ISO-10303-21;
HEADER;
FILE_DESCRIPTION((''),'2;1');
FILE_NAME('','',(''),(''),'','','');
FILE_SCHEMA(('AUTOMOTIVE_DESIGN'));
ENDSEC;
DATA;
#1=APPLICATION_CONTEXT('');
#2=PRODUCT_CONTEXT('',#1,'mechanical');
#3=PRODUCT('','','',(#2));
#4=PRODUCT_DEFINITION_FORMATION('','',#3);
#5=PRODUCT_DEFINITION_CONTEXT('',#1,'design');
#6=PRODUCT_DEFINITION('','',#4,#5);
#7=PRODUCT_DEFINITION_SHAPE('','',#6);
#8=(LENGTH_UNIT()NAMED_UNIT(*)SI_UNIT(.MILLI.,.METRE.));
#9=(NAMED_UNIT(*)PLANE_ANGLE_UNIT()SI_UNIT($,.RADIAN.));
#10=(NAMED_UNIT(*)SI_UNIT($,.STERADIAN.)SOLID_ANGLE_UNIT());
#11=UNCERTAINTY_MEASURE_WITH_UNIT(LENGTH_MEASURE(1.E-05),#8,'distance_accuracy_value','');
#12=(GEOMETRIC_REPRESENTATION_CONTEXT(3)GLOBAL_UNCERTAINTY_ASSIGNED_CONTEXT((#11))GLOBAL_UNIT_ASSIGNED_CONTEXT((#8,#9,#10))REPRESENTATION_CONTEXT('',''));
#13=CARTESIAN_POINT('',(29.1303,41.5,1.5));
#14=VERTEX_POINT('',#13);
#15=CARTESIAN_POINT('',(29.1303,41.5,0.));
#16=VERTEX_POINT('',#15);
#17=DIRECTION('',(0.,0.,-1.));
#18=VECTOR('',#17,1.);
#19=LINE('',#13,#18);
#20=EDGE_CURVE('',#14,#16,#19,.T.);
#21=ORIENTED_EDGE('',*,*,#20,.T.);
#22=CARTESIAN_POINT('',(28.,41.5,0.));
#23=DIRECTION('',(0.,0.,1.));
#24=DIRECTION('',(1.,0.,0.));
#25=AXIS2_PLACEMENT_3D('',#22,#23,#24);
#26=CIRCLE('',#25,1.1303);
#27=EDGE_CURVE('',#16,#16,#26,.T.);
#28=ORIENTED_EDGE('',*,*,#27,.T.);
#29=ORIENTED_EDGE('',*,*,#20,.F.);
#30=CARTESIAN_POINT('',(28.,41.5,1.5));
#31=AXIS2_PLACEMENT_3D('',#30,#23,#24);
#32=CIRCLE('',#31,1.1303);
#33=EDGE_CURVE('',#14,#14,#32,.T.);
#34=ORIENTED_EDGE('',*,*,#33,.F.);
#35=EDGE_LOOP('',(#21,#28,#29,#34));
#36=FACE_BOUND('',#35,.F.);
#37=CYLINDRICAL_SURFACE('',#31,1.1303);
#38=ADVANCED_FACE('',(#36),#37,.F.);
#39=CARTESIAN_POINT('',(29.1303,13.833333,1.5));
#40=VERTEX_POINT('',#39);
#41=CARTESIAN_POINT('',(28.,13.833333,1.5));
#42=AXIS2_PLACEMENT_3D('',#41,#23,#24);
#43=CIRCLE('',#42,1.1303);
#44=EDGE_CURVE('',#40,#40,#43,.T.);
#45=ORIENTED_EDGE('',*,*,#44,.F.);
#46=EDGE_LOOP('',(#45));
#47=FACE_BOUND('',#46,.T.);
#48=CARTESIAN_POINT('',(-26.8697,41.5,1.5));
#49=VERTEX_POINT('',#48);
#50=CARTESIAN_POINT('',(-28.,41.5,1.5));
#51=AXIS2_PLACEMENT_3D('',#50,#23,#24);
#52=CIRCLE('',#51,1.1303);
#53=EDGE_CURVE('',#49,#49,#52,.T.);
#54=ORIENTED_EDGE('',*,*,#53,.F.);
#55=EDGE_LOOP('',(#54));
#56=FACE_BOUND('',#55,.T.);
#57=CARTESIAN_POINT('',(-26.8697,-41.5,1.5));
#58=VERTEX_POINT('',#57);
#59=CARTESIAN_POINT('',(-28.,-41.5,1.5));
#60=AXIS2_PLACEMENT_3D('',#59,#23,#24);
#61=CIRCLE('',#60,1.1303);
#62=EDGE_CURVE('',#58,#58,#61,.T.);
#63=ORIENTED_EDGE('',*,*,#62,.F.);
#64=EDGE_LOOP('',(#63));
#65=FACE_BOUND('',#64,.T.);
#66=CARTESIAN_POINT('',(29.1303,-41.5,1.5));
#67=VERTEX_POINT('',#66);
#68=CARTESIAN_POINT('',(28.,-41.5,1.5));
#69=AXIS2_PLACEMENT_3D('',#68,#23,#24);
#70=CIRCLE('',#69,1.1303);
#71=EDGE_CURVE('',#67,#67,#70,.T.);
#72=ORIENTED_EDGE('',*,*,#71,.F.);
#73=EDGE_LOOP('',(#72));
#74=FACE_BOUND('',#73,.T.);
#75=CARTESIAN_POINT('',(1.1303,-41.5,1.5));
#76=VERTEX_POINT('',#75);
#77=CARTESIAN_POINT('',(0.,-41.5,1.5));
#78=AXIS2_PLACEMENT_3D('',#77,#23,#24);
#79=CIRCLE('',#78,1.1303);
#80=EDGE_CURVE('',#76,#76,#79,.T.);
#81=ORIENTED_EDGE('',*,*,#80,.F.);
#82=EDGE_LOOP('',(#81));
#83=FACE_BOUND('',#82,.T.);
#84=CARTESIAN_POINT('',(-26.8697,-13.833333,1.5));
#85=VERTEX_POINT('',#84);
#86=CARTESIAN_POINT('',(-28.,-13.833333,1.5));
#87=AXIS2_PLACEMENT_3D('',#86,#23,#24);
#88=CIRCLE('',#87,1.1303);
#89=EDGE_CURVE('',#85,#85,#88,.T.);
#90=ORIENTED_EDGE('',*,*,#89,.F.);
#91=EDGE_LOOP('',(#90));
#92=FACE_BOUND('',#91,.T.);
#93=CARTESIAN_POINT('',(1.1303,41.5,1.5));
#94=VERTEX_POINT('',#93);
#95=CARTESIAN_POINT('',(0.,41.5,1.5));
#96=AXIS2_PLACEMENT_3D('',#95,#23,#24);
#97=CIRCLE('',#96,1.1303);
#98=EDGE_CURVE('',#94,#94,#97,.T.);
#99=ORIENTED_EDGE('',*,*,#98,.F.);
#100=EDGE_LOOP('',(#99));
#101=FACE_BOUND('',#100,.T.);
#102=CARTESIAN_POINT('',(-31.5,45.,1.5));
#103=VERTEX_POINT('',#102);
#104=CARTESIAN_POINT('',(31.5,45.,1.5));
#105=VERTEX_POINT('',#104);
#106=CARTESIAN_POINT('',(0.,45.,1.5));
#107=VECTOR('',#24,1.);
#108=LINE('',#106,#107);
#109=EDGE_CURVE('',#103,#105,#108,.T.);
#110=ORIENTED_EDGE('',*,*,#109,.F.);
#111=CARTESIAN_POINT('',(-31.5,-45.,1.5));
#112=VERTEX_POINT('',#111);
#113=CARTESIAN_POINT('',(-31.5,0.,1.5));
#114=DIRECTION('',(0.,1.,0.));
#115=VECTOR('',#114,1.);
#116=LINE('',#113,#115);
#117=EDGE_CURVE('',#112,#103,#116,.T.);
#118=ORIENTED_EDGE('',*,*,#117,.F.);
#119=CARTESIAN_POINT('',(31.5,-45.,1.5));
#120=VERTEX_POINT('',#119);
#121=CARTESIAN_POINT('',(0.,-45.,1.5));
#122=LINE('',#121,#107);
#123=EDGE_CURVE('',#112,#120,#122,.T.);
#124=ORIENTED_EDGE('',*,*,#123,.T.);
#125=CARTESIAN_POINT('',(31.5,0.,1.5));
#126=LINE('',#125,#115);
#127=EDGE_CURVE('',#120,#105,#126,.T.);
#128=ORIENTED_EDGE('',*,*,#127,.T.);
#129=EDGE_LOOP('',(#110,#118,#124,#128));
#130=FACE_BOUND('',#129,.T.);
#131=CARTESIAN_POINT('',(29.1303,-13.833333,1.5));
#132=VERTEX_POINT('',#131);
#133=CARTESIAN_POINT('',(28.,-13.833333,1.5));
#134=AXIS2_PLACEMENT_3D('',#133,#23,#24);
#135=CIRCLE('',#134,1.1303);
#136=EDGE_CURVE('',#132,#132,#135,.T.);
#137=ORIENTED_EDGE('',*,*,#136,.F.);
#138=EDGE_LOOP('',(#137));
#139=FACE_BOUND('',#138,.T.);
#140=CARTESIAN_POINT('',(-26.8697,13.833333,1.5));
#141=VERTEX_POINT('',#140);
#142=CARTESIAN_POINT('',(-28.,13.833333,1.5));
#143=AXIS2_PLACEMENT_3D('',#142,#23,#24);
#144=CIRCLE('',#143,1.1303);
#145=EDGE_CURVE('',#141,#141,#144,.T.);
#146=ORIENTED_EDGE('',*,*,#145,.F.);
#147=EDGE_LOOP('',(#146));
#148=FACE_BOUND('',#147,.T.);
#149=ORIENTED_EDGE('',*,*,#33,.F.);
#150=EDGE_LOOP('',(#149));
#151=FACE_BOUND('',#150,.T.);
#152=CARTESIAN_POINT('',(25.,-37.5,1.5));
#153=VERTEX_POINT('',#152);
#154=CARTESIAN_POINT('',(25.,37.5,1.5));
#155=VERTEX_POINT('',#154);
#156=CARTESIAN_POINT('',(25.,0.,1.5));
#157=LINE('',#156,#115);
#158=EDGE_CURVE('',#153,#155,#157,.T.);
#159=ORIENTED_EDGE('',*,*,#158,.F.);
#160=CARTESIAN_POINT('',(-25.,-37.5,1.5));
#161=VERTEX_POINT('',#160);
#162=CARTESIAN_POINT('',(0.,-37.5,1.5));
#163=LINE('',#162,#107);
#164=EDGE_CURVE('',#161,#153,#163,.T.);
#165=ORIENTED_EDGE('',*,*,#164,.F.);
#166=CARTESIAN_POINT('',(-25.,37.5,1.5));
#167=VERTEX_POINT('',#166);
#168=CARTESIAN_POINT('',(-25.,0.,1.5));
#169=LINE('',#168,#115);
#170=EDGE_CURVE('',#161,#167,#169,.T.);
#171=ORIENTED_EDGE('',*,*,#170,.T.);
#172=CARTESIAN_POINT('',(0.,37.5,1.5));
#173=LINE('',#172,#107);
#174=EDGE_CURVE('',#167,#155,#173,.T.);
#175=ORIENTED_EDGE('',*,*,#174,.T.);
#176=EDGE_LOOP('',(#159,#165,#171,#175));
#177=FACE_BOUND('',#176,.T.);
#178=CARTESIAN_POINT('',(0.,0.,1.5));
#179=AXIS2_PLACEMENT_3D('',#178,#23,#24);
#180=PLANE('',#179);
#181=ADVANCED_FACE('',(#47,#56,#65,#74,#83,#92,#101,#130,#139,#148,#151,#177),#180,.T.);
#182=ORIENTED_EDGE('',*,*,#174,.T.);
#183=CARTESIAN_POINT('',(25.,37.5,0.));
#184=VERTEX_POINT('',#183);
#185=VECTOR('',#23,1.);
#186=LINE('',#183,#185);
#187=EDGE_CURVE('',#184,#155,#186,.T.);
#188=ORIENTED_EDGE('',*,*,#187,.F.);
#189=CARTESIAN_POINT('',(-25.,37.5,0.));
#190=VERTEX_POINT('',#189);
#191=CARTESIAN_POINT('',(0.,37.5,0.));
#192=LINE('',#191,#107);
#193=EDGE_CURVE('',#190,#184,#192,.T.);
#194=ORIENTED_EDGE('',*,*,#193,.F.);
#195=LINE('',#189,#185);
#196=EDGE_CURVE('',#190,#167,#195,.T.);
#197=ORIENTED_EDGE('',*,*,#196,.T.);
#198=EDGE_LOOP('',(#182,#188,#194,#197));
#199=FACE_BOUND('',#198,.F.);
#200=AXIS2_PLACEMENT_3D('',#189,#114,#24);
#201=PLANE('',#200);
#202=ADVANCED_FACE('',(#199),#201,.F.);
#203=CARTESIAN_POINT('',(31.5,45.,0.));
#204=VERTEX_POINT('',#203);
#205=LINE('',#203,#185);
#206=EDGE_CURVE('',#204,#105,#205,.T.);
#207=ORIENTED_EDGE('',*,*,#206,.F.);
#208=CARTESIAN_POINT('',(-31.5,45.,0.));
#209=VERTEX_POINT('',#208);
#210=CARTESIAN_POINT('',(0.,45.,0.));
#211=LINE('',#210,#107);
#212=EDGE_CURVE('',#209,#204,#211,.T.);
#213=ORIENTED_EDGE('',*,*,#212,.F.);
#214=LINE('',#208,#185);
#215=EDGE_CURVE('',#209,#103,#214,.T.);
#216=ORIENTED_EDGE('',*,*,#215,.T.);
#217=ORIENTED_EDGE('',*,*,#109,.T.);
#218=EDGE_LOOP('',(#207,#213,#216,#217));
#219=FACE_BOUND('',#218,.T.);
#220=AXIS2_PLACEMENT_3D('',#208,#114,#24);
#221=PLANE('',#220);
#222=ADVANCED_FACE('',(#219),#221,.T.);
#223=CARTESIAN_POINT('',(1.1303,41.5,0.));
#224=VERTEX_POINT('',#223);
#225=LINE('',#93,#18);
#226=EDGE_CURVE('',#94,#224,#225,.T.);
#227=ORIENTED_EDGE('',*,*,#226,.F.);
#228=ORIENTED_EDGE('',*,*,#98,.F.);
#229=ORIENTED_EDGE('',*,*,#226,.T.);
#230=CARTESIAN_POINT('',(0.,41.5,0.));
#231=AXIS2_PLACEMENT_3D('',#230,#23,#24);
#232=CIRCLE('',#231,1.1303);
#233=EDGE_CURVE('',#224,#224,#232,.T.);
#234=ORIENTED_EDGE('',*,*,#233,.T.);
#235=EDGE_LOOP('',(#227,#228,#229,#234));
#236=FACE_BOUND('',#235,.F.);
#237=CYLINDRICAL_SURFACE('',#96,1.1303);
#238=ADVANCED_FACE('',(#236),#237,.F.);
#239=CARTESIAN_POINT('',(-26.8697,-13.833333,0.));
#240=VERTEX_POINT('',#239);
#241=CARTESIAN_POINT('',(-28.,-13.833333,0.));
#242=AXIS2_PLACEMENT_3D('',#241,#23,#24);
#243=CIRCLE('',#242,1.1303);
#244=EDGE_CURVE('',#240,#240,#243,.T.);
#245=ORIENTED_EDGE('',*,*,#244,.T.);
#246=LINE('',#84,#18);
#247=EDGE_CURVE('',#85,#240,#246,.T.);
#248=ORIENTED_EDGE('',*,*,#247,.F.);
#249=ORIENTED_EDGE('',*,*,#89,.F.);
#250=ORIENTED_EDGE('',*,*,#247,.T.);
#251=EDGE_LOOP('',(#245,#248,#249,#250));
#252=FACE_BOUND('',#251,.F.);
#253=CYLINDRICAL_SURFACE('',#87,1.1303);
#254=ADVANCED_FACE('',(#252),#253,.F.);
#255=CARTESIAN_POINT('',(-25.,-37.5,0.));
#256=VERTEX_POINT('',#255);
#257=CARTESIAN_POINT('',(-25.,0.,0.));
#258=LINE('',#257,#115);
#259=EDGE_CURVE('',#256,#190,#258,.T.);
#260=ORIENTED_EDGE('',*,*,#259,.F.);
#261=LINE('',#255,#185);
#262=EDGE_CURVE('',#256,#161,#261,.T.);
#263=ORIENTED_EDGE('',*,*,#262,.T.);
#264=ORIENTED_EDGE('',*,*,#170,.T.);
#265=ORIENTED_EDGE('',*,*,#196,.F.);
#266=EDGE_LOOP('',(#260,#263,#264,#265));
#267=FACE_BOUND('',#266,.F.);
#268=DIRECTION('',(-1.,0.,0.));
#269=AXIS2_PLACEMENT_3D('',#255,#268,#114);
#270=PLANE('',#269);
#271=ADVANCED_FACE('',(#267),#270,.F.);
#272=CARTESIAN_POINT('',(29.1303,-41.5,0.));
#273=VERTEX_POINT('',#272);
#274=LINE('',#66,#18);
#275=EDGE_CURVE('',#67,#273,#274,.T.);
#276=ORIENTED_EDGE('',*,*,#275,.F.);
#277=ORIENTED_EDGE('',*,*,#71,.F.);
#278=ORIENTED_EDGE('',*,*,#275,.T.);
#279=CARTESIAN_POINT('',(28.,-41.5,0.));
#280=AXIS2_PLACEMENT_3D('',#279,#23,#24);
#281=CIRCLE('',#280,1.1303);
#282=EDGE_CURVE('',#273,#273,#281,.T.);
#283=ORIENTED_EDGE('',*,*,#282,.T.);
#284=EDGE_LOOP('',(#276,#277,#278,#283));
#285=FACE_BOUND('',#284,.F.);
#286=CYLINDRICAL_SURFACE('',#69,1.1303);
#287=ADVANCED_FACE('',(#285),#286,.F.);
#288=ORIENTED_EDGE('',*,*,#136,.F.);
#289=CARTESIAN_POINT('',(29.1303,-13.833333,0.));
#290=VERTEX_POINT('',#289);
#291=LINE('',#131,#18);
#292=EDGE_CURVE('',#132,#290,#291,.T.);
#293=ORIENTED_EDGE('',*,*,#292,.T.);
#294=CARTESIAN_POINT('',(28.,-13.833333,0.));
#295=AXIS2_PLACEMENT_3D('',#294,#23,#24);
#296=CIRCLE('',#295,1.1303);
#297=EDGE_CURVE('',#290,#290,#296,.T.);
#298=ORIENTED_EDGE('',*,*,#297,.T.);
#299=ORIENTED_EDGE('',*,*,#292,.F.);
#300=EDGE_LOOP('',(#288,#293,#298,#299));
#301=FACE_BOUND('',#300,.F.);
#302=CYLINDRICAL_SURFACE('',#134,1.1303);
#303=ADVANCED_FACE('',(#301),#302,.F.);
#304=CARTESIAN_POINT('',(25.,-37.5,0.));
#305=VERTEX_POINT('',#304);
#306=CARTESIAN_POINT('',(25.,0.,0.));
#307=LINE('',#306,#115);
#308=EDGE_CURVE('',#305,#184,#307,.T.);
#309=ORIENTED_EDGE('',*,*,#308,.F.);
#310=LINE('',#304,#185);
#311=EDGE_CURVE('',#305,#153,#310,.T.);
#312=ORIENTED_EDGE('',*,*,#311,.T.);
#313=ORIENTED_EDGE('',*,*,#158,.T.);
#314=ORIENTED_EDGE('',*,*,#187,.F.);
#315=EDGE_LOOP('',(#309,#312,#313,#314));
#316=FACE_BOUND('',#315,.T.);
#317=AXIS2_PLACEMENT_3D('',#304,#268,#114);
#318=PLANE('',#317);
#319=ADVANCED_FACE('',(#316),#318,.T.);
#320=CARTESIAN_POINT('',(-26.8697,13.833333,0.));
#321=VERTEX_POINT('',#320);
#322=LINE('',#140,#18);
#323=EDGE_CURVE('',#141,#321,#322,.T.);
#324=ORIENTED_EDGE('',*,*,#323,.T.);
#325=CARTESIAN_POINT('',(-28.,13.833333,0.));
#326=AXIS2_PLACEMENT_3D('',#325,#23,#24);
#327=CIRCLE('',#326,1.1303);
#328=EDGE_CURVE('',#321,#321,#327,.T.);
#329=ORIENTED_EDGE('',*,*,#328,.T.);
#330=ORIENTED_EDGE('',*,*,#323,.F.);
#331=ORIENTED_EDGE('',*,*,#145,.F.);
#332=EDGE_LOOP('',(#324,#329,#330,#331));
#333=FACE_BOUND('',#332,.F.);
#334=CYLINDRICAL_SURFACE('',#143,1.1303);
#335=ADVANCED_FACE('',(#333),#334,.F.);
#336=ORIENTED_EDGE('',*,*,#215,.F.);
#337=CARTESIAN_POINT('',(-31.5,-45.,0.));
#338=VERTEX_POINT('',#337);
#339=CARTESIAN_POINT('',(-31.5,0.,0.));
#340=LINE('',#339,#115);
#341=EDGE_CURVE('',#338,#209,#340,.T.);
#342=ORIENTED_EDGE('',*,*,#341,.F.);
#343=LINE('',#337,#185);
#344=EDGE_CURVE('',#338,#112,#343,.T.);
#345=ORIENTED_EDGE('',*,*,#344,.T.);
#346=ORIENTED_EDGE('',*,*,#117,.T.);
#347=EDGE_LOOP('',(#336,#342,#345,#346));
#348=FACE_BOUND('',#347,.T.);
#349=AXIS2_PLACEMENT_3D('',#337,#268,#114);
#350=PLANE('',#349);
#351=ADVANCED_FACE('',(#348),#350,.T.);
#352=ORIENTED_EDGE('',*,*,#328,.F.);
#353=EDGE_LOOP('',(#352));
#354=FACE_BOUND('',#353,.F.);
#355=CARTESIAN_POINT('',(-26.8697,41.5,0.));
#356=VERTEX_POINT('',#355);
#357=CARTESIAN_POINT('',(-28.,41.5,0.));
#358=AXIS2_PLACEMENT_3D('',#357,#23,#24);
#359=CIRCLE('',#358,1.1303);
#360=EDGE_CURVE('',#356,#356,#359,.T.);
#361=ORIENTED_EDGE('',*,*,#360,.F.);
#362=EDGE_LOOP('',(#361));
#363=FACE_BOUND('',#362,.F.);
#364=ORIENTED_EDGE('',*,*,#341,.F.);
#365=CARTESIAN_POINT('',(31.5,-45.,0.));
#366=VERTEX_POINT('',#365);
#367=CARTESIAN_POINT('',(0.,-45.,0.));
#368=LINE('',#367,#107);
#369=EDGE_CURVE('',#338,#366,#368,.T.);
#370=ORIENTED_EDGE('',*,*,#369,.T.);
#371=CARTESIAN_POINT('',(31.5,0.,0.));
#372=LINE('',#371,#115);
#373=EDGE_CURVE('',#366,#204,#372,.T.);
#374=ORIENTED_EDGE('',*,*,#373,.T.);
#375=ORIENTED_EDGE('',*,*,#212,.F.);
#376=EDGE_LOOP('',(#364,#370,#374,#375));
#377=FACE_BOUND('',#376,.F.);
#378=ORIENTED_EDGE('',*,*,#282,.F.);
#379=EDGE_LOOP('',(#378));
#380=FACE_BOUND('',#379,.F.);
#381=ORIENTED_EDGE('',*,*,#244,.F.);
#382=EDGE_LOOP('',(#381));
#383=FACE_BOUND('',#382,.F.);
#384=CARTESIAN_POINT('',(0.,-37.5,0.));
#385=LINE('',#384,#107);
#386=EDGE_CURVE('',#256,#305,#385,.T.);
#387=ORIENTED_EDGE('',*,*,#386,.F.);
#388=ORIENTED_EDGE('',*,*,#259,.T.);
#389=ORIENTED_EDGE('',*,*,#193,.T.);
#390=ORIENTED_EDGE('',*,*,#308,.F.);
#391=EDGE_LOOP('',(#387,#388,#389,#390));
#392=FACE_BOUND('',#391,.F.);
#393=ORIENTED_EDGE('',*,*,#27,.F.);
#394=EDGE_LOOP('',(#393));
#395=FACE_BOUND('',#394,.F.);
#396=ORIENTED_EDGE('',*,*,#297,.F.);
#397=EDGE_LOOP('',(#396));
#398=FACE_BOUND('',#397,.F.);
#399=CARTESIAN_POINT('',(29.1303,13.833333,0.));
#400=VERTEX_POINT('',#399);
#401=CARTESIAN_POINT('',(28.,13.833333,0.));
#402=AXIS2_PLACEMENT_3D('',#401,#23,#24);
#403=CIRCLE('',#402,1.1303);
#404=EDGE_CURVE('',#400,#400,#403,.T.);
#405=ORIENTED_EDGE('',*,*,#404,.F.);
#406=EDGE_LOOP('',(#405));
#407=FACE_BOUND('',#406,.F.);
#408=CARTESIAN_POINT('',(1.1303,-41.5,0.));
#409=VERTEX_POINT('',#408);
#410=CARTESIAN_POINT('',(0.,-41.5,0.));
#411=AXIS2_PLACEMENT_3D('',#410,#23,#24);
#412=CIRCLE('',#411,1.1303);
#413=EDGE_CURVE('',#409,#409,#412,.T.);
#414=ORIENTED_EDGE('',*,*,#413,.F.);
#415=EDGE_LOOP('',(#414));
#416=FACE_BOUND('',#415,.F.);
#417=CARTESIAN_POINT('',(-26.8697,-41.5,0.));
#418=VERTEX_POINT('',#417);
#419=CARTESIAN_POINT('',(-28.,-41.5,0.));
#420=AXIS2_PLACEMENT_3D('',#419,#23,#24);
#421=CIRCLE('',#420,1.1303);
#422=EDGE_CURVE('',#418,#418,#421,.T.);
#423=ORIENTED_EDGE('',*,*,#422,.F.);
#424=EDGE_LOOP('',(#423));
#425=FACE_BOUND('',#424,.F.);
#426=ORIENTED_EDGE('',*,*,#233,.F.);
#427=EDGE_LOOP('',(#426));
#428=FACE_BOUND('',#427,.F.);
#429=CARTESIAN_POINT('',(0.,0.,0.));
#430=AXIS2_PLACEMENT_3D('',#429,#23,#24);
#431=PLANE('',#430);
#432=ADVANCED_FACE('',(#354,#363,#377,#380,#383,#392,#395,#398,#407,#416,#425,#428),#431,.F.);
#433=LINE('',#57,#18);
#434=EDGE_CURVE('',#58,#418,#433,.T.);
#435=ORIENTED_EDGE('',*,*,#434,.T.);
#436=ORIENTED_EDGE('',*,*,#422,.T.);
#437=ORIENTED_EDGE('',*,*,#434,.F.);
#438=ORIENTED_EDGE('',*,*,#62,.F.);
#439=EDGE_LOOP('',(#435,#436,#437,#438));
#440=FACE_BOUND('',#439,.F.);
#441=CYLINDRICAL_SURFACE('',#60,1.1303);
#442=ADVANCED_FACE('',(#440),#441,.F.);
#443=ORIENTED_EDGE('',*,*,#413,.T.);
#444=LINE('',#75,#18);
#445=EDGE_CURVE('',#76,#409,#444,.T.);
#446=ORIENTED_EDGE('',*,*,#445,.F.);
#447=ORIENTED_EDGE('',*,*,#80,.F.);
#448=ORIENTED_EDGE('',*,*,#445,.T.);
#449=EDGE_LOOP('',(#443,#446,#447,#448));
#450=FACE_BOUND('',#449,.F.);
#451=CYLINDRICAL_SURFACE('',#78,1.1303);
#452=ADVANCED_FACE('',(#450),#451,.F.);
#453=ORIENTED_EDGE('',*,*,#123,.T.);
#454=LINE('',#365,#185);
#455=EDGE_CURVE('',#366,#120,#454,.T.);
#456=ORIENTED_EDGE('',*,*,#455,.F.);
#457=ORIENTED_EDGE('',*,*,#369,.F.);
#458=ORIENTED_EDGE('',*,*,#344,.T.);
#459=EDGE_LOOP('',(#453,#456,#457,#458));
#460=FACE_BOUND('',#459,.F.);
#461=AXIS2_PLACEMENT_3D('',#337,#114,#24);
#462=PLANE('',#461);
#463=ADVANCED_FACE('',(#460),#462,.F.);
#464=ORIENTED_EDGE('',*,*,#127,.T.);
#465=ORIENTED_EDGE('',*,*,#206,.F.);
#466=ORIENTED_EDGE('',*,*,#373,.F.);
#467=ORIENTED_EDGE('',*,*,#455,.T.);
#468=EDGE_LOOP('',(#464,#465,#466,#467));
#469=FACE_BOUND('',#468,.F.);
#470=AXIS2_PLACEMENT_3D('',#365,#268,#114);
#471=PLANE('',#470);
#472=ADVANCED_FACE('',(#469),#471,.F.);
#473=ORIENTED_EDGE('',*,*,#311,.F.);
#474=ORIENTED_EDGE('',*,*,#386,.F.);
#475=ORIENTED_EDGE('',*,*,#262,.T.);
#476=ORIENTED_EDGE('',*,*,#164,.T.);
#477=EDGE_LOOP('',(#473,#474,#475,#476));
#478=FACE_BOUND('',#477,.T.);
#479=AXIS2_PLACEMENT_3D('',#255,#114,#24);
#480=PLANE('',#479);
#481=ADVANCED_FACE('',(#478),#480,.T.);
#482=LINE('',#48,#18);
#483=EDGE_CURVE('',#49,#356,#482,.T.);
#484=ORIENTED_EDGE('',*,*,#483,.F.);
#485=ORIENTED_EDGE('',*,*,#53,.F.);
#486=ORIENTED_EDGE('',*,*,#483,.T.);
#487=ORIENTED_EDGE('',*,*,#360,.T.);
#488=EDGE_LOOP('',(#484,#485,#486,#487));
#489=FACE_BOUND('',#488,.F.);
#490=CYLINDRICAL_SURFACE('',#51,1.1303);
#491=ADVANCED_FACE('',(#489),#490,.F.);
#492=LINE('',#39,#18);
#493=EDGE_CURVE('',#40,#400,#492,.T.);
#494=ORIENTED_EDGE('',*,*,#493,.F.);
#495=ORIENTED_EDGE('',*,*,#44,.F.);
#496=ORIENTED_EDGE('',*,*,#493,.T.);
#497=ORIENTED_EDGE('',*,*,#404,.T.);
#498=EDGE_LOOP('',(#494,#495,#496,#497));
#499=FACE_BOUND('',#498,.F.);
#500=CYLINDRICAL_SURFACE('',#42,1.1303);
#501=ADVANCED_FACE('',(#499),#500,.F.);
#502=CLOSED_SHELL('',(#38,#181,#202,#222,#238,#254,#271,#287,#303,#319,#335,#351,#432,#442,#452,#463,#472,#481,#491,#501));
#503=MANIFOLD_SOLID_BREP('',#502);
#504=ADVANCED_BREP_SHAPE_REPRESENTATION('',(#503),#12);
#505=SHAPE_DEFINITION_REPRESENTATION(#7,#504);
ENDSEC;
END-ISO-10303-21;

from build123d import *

# Parameters (mm, degrees)
F0_W     = 63
F0_H     = 90
F0_W_2   = 50
F0_H_2   = 75
F1_DEPTH = 1.5
F2_R     = 1.1303
F3_DEPTH = 25


with BuildPart() as f1:
    # F0 (on Top) → F1 (new body)
    with BuildSketch(Plane.XY):
        Rectangle(F0_W, F0_H)
        Rectangle(F0_W_2, F0_H_2, mode=Mode.SUBTRACT)
    extrude(amount=F1_DEPTH)

    # F2 (on face) → F3 (cut)
    with BuildSketch(Plane.XY.offset(1.5)):
        with Locations((0, 41.5)):
            Circle(F2_R)
        with Locations((28, 41.5)):
            Circle(F2_R)
        with Locations((28, -13.833333)):
            Circle(F2_R)
        with Locations((28, -41.5)):
            Circle(F2_R)
        with Locations((0, -41.5)):
            Circle(F2_R)
        with Locations((-28, -41.5)):
            Circle(F2_R)
        with Locations((-28, -13.833333)):
            Circle(F2_R)
        with Locations((-28, 13.833333)):
            Circle(F2_R)
        with Locations((-28, 41.5)):
            Circle(F2_R)
        with Locations((28, 13.833333)):
            Circle(F2_R)
    extrude(amount=-F3_DEPTH, mode=Mode.SUBTRACT)


solid = f1.part
